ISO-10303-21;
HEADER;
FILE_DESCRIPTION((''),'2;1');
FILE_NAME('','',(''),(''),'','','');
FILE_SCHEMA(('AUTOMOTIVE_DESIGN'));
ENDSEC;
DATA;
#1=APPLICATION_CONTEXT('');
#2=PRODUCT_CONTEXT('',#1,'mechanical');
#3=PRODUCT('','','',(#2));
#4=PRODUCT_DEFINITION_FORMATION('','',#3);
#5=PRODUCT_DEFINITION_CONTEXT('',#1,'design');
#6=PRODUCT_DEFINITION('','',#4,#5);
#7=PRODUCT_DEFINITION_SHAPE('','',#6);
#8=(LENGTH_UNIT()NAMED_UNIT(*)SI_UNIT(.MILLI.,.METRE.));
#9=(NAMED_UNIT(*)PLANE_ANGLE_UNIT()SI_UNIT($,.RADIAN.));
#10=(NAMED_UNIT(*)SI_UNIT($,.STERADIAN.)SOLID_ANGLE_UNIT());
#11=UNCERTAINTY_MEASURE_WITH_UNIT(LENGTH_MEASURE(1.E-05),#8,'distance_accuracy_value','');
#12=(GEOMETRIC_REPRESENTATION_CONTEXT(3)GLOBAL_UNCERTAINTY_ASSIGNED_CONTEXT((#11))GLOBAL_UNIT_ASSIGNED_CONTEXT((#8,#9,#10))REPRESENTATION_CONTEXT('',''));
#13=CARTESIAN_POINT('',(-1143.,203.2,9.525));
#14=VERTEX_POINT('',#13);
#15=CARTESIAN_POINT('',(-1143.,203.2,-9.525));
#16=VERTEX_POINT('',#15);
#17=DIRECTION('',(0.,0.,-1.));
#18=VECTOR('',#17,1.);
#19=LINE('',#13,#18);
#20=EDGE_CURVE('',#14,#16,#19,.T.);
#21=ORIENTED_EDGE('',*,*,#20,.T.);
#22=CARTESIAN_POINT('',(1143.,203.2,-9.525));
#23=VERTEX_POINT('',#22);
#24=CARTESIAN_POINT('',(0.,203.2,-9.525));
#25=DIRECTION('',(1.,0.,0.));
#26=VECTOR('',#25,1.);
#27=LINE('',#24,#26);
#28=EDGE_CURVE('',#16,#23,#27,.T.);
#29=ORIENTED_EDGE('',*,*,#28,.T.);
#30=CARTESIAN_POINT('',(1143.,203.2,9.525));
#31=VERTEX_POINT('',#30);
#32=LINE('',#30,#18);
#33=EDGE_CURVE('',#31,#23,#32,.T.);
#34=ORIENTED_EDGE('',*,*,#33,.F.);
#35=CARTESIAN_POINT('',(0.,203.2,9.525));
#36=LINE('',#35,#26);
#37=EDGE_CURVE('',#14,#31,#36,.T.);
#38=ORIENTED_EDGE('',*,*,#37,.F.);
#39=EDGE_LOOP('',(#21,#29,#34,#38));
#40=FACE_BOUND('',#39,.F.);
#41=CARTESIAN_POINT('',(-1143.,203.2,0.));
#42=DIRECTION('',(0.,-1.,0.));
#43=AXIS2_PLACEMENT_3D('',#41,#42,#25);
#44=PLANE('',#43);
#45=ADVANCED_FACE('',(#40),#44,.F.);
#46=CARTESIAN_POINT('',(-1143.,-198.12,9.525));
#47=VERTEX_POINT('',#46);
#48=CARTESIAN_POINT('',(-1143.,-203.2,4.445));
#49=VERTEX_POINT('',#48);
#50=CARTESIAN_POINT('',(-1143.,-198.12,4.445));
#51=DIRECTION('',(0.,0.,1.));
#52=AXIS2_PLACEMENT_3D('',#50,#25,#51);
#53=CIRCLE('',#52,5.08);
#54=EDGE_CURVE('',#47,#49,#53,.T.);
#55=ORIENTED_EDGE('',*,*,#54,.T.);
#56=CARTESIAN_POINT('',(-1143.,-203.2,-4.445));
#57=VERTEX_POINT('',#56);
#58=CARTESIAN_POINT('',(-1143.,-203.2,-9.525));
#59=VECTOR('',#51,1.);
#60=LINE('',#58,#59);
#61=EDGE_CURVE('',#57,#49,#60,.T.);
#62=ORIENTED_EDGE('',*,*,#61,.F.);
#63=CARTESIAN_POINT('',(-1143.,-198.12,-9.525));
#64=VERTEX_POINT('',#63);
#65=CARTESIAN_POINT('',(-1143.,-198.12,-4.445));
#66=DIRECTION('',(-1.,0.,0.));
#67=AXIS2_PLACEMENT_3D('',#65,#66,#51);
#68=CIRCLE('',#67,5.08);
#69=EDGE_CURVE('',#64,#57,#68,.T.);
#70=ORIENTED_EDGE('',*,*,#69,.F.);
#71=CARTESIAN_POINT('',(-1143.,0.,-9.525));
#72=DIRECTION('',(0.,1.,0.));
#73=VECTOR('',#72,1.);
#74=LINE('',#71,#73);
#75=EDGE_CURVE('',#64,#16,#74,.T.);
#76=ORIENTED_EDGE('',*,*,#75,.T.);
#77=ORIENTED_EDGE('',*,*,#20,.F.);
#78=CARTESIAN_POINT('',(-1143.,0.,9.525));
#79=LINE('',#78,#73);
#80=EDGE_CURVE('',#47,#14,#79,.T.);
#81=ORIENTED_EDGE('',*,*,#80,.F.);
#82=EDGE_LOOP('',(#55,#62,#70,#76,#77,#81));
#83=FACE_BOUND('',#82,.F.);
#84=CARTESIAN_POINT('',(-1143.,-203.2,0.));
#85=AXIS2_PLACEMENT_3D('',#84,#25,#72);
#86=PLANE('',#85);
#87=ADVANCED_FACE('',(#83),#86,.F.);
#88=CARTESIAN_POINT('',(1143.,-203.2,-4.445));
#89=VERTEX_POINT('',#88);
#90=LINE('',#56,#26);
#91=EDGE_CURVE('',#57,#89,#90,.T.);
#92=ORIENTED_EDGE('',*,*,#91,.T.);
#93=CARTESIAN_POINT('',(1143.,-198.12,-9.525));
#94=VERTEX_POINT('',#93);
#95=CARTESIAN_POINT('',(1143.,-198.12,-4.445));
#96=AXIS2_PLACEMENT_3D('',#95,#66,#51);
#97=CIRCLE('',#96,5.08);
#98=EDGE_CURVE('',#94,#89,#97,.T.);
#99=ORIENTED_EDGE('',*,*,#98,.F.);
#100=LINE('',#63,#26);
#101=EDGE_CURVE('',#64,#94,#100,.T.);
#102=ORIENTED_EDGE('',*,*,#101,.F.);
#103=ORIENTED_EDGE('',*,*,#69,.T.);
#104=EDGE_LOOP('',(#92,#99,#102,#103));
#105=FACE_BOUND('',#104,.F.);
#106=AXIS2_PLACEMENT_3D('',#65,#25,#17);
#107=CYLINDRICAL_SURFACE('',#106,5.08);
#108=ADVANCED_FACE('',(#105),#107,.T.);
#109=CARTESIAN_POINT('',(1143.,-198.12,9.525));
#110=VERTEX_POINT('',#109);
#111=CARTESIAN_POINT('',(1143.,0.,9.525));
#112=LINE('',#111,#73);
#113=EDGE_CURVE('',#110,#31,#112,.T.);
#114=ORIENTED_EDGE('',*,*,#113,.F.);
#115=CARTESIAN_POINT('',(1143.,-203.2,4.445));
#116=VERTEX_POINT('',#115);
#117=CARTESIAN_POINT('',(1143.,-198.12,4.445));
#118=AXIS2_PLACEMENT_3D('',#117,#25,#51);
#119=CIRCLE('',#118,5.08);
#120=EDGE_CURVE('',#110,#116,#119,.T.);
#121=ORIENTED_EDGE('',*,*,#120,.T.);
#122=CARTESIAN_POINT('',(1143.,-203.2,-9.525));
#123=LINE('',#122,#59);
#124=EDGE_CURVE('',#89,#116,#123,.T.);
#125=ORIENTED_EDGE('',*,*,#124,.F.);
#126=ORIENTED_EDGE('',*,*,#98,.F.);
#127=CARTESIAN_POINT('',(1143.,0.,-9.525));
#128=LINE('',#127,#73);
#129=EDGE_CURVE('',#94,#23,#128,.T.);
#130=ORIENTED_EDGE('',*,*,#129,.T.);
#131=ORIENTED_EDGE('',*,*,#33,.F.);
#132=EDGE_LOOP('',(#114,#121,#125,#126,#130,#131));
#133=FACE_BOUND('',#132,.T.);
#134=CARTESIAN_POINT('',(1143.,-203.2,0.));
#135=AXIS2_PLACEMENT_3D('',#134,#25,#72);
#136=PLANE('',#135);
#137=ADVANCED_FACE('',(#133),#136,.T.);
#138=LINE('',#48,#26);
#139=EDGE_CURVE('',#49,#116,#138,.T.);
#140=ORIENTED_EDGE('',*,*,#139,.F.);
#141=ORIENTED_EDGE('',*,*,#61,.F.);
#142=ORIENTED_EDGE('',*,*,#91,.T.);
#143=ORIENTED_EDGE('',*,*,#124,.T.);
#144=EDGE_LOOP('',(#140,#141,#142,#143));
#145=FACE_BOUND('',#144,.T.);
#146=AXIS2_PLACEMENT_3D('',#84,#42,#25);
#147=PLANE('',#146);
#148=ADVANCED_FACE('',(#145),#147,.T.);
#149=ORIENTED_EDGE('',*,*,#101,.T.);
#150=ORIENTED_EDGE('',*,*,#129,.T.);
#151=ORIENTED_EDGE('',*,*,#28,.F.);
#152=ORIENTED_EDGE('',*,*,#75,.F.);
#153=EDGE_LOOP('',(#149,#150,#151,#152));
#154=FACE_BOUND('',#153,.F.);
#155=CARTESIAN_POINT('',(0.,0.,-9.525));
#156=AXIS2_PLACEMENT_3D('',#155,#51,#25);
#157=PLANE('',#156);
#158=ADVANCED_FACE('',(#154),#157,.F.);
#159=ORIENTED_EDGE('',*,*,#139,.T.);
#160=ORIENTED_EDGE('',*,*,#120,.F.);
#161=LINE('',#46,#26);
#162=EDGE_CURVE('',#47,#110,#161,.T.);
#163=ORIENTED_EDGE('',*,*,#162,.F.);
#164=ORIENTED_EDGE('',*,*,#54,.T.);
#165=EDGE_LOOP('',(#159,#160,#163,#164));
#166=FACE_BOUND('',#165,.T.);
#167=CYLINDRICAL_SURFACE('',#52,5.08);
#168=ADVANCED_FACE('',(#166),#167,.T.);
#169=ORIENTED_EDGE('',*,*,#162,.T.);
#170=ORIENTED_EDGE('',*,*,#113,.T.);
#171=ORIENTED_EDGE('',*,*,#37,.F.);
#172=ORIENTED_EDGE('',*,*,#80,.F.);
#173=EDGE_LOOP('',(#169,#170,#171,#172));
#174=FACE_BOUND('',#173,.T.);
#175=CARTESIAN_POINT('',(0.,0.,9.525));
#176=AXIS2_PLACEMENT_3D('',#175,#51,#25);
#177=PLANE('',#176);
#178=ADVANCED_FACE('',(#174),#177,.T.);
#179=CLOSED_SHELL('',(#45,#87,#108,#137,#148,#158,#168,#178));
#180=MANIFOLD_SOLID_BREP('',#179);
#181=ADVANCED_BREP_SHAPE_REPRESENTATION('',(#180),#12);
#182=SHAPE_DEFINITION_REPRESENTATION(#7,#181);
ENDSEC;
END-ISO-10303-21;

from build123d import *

# Parameters (mm, degrees)
F0_W          = 2286
F0_H          = 406.4
F1_DEPTH      = 9.525
F1_DEPTH_BACK = 9.525
F2_R          = 5.08


with BuildPart() as f1:
    # F0 (on Top) → F1 (new body, two sides)
    with BuildSketch(Plane.XY) as f1_sk:
        Rectangle(F0_W, F0_H)
    extrude(amount=F1_DEPTH)
    extrude(f1_sk.sketch, amount=-F1_DEPTH_BACK)

    # F2
    f2_edges = [f1.edges().sort_by_distance(p)[0] for p in [
        (0, -203.2, 9.525),
        (0, -203.2, -9.525),
    ]]
    fillet(f2_edges, radius=F2_R)


solid = f1.part
